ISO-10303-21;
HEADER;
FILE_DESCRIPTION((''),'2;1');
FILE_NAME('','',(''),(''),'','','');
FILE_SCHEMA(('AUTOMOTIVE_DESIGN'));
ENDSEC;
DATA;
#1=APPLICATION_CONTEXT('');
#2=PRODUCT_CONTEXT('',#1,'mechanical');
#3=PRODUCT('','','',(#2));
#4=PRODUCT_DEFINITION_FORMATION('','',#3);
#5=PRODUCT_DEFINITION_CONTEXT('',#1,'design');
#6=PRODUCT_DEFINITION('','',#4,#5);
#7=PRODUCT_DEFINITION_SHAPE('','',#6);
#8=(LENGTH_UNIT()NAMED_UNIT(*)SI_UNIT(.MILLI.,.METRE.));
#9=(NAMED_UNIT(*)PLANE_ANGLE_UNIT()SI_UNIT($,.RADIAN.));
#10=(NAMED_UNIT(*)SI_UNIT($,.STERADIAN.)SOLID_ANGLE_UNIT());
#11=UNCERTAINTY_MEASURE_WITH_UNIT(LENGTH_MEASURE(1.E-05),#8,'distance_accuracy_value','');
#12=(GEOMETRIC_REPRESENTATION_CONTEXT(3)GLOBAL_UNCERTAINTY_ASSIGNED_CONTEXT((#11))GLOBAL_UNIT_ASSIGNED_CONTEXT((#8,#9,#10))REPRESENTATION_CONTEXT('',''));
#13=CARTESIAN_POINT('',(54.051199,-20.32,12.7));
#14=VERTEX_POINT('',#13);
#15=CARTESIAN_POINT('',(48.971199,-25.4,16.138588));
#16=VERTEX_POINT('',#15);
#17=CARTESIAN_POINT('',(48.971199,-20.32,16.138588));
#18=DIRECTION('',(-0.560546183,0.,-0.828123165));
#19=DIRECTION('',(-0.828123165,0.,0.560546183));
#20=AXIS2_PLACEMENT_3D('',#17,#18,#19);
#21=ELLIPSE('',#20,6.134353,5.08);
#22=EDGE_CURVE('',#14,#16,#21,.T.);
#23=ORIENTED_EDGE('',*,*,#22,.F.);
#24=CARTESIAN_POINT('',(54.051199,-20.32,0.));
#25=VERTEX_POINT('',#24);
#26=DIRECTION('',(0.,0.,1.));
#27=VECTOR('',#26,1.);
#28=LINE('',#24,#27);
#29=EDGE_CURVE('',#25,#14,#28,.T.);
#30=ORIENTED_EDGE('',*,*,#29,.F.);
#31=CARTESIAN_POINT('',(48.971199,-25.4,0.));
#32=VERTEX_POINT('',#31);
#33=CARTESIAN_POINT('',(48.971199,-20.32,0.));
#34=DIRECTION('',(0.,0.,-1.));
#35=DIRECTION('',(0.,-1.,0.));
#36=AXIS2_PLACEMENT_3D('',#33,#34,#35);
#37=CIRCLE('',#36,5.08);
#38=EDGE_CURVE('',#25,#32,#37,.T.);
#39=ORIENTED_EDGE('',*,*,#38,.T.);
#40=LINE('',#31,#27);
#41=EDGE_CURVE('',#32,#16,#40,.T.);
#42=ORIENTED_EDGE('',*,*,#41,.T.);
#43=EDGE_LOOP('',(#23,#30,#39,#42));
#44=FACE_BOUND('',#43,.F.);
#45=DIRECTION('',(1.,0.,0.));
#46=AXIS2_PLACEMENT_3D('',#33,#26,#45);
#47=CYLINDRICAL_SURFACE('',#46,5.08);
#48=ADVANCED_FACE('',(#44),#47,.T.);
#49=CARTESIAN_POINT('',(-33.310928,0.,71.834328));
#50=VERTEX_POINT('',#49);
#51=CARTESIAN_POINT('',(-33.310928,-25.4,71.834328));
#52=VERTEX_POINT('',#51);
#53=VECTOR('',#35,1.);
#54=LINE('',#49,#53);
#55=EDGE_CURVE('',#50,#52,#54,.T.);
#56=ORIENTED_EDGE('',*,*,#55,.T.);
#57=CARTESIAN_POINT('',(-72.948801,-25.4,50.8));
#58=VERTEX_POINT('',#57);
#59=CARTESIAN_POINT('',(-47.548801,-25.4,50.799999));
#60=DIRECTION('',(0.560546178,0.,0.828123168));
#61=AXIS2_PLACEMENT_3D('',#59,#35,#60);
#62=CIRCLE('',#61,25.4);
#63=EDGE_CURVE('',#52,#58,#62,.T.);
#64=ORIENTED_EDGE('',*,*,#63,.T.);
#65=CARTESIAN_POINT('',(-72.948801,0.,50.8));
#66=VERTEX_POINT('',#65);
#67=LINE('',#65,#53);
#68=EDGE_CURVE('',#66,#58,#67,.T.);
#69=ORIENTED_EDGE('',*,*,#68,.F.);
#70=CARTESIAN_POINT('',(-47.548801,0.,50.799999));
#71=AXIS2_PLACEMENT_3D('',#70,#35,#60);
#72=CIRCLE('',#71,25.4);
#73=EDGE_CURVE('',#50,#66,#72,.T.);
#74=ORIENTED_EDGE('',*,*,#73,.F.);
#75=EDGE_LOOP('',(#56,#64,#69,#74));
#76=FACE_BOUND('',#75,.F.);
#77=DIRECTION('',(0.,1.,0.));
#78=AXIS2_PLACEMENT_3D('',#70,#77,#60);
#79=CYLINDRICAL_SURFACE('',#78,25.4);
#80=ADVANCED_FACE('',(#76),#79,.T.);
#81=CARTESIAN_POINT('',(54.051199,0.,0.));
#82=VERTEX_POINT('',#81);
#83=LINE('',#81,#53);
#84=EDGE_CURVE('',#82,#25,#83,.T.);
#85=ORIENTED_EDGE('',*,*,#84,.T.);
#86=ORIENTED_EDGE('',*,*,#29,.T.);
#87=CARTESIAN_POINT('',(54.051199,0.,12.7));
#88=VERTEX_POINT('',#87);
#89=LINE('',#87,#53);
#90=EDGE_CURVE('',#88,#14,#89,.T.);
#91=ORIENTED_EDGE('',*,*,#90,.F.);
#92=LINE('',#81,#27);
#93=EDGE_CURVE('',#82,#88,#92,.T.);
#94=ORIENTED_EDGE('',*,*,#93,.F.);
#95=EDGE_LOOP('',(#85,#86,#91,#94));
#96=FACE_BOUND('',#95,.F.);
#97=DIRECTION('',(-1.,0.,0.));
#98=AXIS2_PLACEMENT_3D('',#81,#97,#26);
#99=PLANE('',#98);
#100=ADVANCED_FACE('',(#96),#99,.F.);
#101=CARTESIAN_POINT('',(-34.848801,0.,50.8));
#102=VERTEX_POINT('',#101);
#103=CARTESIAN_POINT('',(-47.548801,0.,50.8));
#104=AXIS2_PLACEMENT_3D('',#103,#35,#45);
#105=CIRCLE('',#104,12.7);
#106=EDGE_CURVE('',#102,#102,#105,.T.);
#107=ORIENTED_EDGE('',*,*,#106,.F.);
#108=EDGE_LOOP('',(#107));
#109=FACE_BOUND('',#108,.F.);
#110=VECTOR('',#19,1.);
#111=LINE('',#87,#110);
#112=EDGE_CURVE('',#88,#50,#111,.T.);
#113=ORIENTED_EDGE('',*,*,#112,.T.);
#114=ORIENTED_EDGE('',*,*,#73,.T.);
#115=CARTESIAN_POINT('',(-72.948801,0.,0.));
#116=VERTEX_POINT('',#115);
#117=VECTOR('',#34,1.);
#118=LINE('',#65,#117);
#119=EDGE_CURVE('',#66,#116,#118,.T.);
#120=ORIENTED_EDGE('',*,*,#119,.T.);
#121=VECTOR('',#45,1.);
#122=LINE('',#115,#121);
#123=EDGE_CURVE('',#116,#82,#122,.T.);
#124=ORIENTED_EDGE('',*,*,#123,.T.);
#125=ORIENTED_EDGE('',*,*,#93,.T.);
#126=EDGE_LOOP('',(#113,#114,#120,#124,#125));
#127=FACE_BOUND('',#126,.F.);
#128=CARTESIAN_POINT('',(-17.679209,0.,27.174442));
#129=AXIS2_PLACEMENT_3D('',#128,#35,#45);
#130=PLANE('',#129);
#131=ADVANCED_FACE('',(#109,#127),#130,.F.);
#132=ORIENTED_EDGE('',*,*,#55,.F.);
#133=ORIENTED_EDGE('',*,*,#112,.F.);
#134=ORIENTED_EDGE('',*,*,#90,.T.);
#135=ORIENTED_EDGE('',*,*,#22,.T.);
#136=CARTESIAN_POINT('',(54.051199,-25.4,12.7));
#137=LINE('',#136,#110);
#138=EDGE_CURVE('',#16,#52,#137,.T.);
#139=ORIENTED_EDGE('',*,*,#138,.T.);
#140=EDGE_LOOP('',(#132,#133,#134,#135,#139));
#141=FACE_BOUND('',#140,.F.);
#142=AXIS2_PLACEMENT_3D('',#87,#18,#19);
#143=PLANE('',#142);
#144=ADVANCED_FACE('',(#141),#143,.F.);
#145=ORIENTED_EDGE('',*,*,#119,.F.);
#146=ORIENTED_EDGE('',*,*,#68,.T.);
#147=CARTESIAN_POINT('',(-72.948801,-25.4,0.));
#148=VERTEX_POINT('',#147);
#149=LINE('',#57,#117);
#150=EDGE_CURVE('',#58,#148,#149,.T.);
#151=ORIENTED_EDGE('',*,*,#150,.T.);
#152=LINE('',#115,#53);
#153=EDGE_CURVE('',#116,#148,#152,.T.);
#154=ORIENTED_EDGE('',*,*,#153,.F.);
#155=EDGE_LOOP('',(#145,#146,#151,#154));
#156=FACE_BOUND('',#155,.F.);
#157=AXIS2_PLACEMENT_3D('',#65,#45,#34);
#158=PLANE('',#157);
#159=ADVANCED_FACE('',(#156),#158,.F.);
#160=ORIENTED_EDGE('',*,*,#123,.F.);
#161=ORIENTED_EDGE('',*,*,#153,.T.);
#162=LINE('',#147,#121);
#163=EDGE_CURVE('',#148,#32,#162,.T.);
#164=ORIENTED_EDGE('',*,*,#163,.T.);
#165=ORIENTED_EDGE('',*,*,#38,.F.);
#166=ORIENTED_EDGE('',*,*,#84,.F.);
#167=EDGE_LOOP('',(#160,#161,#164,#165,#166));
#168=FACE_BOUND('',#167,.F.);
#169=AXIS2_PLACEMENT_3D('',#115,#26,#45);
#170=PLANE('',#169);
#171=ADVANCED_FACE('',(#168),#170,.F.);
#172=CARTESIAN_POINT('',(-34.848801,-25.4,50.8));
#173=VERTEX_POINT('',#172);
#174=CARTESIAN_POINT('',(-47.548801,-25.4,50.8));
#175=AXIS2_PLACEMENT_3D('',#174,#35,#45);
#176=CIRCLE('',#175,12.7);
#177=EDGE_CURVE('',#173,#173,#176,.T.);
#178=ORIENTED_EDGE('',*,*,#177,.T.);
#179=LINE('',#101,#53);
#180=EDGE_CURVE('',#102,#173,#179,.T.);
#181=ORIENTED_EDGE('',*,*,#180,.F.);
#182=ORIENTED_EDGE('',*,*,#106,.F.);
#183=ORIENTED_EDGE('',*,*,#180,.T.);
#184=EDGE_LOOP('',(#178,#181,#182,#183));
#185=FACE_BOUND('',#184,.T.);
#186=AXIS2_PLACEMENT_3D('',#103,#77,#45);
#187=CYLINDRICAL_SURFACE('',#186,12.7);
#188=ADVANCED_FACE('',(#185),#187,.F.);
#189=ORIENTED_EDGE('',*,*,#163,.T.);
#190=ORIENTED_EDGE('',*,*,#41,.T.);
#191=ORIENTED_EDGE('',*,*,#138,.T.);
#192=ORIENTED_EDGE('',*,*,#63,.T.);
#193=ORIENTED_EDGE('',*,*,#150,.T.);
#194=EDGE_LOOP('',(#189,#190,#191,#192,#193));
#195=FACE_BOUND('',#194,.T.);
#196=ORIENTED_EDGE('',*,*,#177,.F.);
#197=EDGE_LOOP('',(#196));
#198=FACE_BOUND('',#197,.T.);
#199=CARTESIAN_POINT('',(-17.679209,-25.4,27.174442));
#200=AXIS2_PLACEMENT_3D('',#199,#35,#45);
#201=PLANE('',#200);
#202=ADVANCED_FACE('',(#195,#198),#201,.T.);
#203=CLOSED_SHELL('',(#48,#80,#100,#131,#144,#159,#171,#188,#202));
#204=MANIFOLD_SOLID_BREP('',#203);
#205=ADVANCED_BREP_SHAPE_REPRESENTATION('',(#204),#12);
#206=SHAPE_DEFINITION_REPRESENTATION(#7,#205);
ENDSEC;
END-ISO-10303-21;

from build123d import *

# Parameters (mm, degrees)
F0_R     = 12.7
F1_DEPTH = 25.4
F2_R     = 5.08


with BuildPart() as f1:
    # F0 (on Front) → F1 (new body)
    with BuildSketch(Plane.XZ):
        with BuildLine():
            Line((54.051199, 12.7), (-33.310928, 71.834328))
            ThreePointArc((-33.310928, 71.834328), (-59.45506, 73.236599), (-72.948801, 50.8))
            Line((-72.948801, 50.8), (-72.948801, 0))
            Line((-72.948801, 0), (54.051199, 0))
            Line((54.051199, 0), (54.051199, 12.7))
        make_face()
        with Locations((-47.548801, 50.8)):
            Circle(F0_R, mode=Mode.SUBTRACT)
    extrude(amount=F1_DEPTH)

    # F2
    f2_edges = [f1.edges().sort_by_distance(p)[0] for p in [
        (54.051199, -25.4, 6.35),
    ]]
    fillet(f2_edges, radius=F2_R)


solid = f1.part
